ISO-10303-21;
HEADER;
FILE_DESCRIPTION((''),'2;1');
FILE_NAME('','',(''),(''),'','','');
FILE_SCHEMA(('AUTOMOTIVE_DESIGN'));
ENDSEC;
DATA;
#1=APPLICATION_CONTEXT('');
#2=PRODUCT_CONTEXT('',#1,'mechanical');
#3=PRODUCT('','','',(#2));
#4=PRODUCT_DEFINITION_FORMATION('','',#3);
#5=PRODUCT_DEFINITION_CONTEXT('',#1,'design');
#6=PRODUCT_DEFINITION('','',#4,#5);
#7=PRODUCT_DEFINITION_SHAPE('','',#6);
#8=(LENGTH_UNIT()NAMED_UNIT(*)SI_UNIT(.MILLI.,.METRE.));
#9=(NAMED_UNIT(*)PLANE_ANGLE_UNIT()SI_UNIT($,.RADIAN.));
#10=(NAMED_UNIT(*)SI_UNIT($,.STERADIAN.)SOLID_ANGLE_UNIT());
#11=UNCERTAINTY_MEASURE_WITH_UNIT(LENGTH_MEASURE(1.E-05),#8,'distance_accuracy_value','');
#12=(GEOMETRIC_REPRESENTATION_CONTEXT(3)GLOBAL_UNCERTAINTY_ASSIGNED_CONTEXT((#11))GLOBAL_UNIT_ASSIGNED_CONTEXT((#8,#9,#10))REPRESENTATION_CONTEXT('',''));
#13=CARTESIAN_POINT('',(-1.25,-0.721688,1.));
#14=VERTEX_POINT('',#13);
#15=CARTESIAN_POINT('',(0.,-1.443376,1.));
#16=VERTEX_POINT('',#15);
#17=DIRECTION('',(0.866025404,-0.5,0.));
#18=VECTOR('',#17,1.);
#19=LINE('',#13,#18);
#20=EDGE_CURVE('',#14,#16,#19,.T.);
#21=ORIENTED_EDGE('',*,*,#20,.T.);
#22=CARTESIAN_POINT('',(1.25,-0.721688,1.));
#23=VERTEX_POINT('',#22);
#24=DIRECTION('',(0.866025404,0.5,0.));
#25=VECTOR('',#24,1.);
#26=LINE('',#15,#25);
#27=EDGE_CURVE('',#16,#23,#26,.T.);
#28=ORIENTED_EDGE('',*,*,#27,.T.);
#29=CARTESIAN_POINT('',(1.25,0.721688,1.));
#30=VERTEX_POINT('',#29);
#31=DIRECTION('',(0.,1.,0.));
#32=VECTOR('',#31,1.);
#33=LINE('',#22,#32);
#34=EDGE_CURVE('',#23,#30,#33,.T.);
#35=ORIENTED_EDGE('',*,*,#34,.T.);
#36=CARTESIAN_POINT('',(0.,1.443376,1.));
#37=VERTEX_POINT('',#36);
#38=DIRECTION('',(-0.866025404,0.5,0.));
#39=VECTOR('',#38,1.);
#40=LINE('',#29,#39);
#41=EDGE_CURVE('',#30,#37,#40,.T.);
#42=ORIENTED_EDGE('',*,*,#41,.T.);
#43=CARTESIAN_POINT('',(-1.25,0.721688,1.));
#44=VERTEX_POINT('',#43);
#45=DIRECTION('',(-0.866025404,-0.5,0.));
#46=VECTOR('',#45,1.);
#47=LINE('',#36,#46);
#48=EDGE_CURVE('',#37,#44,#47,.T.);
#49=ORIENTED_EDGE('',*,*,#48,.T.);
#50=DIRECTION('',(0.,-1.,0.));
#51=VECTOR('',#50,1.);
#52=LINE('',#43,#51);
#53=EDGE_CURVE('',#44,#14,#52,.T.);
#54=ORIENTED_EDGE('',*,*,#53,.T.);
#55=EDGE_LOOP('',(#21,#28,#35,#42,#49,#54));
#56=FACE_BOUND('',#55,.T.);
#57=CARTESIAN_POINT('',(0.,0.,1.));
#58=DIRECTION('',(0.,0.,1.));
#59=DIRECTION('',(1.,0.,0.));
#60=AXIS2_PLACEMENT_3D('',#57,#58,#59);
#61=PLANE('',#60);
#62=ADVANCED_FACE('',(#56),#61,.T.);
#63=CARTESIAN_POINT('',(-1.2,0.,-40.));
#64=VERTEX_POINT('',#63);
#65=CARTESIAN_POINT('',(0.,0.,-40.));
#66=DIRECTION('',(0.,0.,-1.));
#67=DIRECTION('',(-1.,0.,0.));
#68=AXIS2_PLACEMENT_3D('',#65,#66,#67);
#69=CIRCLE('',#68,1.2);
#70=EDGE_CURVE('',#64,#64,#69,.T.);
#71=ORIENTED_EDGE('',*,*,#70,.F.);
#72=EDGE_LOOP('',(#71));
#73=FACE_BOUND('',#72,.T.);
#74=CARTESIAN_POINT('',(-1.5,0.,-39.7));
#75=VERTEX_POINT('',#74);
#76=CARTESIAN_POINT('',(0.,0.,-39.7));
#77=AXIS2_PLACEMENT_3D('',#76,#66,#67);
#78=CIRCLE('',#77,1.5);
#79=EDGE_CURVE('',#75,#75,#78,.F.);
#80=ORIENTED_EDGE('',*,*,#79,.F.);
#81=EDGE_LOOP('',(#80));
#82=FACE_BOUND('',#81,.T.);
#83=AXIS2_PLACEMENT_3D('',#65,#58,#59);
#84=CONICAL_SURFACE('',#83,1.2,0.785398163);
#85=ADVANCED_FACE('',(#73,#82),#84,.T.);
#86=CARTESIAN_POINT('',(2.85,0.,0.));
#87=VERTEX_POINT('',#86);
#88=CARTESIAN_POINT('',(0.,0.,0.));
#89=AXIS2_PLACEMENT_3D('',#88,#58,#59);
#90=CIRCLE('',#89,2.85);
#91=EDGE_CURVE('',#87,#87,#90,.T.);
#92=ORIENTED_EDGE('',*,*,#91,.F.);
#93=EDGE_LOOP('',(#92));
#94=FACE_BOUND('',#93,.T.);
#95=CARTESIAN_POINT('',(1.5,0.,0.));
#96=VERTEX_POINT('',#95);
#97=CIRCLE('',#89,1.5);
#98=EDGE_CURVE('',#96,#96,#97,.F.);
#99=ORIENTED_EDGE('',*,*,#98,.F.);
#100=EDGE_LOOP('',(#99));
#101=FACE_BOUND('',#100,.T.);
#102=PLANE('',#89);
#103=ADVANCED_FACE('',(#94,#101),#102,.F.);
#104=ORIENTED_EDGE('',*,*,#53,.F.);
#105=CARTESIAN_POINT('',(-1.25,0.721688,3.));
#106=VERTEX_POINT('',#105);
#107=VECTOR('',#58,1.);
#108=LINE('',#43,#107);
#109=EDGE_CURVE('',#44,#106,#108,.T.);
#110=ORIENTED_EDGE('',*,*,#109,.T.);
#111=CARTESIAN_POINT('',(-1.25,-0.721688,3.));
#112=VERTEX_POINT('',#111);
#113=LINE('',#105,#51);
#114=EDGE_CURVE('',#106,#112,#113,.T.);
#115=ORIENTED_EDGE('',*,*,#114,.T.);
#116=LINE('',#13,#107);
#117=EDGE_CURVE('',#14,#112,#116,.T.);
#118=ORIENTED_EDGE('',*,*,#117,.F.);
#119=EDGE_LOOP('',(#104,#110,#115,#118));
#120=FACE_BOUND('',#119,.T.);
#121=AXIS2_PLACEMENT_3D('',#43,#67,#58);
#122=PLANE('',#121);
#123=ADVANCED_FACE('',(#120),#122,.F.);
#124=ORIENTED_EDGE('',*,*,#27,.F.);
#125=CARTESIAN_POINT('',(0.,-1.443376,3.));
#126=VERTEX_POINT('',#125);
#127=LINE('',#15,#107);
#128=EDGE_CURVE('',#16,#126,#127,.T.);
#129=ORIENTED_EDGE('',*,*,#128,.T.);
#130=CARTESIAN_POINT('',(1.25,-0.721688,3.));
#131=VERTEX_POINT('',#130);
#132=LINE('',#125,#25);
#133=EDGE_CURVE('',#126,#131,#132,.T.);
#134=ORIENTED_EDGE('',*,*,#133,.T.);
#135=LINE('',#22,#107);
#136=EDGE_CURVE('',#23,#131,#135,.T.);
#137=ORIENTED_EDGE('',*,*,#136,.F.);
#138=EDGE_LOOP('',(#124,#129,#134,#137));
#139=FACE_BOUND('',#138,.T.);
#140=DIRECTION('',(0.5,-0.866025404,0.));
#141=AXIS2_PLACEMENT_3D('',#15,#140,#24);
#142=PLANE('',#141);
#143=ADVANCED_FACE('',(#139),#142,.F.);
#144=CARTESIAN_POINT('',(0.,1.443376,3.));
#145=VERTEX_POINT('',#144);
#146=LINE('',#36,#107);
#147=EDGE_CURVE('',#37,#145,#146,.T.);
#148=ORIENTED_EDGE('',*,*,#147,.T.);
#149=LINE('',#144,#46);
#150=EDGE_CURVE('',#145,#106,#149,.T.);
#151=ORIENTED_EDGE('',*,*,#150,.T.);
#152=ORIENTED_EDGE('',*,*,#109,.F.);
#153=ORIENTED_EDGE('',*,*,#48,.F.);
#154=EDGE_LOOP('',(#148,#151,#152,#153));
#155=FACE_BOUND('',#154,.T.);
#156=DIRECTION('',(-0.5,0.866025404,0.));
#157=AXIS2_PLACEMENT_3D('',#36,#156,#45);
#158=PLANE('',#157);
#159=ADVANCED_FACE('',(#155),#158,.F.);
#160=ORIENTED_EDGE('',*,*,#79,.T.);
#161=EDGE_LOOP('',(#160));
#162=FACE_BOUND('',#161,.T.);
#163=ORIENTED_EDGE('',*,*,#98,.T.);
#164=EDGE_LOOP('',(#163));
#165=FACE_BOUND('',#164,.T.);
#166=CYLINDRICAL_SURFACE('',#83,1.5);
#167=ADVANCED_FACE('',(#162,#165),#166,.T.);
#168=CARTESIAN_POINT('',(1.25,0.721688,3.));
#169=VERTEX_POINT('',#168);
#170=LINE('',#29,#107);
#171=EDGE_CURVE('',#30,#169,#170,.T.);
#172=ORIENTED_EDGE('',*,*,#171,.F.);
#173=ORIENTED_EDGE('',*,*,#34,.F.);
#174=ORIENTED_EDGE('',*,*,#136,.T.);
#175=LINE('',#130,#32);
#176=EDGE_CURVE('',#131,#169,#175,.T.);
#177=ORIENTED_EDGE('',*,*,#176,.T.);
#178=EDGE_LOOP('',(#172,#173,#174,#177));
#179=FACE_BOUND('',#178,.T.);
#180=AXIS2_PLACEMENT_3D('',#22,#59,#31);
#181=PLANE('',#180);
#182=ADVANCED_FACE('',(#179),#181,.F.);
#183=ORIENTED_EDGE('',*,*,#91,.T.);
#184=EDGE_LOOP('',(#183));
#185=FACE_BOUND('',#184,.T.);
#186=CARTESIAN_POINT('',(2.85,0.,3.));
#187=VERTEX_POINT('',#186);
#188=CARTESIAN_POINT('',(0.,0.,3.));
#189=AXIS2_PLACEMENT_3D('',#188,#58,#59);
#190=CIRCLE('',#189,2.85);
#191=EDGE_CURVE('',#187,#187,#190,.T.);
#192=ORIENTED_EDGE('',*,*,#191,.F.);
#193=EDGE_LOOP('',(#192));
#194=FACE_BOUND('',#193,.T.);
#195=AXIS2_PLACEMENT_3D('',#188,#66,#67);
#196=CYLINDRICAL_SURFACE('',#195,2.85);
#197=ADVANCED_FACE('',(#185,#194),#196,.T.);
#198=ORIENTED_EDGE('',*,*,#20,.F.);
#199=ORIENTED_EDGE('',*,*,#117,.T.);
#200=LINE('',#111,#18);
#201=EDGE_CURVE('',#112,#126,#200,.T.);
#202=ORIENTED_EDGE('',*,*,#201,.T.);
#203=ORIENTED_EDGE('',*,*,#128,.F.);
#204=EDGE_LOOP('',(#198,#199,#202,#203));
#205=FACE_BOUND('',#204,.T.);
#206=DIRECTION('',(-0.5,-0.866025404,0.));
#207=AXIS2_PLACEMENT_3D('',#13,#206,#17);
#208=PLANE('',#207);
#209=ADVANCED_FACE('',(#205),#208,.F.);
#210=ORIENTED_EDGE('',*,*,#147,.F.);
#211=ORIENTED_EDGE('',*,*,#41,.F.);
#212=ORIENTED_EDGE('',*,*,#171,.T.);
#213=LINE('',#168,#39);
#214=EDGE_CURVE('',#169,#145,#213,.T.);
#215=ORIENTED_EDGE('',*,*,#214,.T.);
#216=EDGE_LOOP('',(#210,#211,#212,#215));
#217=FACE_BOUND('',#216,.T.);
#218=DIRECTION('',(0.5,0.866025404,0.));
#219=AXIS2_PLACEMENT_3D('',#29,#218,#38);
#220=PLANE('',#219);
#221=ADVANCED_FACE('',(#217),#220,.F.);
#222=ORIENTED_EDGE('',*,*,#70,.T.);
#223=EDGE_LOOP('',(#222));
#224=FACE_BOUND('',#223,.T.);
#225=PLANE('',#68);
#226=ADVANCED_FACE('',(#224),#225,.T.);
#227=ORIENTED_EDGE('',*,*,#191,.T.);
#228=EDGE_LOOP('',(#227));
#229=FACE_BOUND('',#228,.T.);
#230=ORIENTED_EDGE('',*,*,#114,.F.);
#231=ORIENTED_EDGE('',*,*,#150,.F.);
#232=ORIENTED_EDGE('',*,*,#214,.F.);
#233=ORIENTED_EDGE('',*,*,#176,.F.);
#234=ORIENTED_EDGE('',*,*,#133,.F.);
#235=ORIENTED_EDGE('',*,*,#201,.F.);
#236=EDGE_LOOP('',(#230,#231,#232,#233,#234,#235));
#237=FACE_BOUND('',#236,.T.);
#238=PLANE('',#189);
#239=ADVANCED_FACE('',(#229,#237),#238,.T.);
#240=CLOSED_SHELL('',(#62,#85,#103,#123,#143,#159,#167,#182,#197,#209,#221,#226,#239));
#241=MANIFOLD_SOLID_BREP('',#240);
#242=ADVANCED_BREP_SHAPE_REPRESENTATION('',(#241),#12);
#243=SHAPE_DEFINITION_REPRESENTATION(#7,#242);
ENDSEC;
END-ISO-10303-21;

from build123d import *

# Parameters (mm, degrees)
SKETCH1_R           = 2.85
BOSS_EXTRUDE1_DEPTH = 3
SKETCH2_R           = 1.5
BOSS_EXTRUDE2_DEPTH = 40
CHAMFER1_SIZE       = 0.3
CUT_EXTRUDE1_DEPTH  = 2


with BuildPart() as part:
    # Sketch1 → Boss-Extrude1 (new body)
    with BuildSketch(Plane.XY):
        Circle(SKETCH1_R)
    extrude(amount=BOSS_EXTRUDE1_DEPTH)

    # Sketch2 → Boss-Extrude2 (add)
    with BuildSketch(Plane(origin=(0, 0, 0), x_dir=(-1, 0, 0), z_dir=(0, 0, -1))):
        Circle(SKETCH2_R)
    extrude(amount=BOSS_EXTRUDE2_DEPTH)

    # Chamfer1
    chamfer1_edges = [part.edges().sort_by_distance(p)[0] for p in [
        (1.5, 0, -40),
    ]]
    chamfer(chamfer1_edges, length=CHAMFER1_SIZE)

    # Sketch3 → Cut-Extrude1 (cut)
    with BuildSketch(Plane.XY.offset(3)):
        Polygon((0, 1.443375673), (-1.25, 0.721687836), (-1.25, -0.721687836), (0, -1.443375673), (1.25, -0.721687836), (1.25, 0.721687836), align=None)
    extrude(amount=-CUT_EXTRUDE1_DEPTH, mode=Mode.SUBTRACT)


solid = part.part
